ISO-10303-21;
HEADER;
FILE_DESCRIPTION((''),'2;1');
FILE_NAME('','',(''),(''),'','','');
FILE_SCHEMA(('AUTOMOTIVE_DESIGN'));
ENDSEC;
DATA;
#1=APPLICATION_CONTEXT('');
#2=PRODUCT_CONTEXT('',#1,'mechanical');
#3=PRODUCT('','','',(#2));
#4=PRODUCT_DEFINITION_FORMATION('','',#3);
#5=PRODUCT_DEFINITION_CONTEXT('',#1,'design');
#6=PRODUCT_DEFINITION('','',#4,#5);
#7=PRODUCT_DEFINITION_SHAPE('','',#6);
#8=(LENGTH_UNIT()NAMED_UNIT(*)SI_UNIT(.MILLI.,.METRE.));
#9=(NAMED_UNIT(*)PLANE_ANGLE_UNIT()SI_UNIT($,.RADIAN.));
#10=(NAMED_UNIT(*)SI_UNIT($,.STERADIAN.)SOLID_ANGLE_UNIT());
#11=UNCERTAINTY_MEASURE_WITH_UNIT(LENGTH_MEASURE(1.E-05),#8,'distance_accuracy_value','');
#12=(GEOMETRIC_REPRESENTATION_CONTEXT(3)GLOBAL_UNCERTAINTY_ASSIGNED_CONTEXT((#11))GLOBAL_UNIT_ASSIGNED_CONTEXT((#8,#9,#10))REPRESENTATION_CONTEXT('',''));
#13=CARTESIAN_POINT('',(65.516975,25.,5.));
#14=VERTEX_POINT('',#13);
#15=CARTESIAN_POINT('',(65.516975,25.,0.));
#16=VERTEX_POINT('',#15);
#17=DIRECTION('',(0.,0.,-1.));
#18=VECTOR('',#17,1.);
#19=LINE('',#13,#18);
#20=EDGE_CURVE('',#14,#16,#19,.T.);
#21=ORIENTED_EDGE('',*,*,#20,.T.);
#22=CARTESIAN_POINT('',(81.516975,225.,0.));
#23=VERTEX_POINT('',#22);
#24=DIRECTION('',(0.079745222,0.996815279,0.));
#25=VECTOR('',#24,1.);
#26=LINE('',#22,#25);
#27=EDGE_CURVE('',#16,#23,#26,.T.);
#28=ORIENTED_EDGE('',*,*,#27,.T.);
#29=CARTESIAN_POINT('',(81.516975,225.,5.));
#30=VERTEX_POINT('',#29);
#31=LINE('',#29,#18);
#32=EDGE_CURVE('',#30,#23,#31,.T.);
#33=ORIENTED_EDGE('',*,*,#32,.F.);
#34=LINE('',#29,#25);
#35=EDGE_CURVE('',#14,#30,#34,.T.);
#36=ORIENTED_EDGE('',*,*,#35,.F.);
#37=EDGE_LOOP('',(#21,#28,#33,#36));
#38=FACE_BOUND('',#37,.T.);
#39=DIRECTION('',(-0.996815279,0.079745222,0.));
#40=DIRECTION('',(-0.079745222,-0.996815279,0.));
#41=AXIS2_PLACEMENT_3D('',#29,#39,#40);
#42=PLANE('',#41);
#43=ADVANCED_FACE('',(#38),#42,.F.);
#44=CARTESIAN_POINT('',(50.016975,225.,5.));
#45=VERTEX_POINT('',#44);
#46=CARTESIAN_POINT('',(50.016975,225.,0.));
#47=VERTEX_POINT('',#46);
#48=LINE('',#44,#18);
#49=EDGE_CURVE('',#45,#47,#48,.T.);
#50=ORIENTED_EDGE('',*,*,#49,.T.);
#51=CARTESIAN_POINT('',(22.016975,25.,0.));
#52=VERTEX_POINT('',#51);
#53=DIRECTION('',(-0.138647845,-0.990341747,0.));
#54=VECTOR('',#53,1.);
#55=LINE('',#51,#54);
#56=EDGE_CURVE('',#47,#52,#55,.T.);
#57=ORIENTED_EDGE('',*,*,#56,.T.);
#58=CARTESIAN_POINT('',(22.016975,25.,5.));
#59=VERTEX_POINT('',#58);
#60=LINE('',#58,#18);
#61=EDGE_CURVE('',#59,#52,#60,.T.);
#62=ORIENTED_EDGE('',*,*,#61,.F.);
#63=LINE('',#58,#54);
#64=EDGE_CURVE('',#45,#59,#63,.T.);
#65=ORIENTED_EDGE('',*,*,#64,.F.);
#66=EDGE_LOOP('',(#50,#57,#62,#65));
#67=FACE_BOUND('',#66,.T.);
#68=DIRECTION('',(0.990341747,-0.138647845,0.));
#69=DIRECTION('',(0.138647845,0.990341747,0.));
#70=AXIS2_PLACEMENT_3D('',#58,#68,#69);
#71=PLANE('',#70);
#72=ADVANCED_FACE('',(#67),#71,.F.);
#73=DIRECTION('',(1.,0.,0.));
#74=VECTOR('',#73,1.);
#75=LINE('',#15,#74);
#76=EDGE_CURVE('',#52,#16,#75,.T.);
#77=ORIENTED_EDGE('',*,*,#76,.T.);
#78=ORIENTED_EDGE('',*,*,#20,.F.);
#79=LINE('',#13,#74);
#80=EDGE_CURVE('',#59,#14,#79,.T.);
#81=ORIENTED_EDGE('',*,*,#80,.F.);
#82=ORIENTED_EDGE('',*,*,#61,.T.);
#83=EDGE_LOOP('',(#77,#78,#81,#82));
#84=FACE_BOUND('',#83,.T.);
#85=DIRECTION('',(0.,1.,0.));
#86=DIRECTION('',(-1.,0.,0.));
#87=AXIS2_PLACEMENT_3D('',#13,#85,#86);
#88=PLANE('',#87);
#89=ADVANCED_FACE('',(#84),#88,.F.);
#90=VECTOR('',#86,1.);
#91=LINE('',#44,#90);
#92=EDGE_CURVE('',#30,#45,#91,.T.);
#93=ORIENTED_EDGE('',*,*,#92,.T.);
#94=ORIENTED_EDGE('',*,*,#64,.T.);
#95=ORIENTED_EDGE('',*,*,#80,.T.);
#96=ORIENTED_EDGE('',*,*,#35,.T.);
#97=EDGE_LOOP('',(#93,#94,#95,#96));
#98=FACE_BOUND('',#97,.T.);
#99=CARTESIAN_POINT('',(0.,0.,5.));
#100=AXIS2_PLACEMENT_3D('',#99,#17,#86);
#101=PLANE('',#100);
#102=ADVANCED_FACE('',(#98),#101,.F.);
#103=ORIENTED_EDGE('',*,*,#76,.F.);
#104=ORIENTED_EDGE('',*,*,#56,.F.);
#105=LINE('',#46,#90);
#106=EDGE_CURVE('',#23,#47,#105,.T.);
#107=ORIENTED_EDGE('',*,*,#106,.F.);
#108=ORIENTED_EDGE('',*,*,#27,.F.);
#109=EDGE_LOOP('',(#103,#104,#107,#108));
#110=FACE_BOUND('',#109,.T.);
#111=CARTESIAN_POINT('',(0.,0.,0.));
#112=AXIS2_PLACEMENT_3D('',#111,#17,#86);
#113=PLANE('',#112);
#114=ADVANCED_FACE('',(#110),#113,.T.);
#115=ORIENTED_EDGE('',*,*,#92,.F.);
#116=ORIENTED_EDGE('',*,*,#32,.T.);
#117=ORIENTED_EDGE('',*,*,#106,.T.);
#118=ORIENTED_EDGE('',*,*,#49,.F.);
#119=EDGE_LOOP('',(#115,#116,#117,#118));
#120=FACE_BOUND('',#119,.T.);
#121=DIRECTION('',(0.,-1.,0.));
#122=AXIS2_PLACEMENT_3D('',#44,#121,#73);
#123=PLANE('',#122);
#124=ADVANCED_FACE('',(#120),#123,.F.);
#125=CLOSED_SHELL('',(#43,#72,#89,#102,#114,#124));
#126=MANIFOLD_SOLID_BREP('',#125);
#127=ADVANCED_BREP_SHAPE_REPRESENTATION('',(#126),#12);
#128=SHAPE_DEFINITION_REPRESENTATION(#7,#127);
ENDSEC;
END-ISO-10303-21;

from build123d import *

# Parameters (mm, degrees)
BOSS_EXTRUDE1_DEPTH = 5


with BuildPart() as part:
    # Sketch1 → Boss-Extrude1 (new body)
    with BuildSketch(Plane.XY):
        Polygon((65.5169748, 25), (22.0169748, 25), (50.0169748, 225), (81.5169748, 225), align=None)
    extrude(amount=BOSS_EXTRUDE1_DEPTH)


solid = part.part
